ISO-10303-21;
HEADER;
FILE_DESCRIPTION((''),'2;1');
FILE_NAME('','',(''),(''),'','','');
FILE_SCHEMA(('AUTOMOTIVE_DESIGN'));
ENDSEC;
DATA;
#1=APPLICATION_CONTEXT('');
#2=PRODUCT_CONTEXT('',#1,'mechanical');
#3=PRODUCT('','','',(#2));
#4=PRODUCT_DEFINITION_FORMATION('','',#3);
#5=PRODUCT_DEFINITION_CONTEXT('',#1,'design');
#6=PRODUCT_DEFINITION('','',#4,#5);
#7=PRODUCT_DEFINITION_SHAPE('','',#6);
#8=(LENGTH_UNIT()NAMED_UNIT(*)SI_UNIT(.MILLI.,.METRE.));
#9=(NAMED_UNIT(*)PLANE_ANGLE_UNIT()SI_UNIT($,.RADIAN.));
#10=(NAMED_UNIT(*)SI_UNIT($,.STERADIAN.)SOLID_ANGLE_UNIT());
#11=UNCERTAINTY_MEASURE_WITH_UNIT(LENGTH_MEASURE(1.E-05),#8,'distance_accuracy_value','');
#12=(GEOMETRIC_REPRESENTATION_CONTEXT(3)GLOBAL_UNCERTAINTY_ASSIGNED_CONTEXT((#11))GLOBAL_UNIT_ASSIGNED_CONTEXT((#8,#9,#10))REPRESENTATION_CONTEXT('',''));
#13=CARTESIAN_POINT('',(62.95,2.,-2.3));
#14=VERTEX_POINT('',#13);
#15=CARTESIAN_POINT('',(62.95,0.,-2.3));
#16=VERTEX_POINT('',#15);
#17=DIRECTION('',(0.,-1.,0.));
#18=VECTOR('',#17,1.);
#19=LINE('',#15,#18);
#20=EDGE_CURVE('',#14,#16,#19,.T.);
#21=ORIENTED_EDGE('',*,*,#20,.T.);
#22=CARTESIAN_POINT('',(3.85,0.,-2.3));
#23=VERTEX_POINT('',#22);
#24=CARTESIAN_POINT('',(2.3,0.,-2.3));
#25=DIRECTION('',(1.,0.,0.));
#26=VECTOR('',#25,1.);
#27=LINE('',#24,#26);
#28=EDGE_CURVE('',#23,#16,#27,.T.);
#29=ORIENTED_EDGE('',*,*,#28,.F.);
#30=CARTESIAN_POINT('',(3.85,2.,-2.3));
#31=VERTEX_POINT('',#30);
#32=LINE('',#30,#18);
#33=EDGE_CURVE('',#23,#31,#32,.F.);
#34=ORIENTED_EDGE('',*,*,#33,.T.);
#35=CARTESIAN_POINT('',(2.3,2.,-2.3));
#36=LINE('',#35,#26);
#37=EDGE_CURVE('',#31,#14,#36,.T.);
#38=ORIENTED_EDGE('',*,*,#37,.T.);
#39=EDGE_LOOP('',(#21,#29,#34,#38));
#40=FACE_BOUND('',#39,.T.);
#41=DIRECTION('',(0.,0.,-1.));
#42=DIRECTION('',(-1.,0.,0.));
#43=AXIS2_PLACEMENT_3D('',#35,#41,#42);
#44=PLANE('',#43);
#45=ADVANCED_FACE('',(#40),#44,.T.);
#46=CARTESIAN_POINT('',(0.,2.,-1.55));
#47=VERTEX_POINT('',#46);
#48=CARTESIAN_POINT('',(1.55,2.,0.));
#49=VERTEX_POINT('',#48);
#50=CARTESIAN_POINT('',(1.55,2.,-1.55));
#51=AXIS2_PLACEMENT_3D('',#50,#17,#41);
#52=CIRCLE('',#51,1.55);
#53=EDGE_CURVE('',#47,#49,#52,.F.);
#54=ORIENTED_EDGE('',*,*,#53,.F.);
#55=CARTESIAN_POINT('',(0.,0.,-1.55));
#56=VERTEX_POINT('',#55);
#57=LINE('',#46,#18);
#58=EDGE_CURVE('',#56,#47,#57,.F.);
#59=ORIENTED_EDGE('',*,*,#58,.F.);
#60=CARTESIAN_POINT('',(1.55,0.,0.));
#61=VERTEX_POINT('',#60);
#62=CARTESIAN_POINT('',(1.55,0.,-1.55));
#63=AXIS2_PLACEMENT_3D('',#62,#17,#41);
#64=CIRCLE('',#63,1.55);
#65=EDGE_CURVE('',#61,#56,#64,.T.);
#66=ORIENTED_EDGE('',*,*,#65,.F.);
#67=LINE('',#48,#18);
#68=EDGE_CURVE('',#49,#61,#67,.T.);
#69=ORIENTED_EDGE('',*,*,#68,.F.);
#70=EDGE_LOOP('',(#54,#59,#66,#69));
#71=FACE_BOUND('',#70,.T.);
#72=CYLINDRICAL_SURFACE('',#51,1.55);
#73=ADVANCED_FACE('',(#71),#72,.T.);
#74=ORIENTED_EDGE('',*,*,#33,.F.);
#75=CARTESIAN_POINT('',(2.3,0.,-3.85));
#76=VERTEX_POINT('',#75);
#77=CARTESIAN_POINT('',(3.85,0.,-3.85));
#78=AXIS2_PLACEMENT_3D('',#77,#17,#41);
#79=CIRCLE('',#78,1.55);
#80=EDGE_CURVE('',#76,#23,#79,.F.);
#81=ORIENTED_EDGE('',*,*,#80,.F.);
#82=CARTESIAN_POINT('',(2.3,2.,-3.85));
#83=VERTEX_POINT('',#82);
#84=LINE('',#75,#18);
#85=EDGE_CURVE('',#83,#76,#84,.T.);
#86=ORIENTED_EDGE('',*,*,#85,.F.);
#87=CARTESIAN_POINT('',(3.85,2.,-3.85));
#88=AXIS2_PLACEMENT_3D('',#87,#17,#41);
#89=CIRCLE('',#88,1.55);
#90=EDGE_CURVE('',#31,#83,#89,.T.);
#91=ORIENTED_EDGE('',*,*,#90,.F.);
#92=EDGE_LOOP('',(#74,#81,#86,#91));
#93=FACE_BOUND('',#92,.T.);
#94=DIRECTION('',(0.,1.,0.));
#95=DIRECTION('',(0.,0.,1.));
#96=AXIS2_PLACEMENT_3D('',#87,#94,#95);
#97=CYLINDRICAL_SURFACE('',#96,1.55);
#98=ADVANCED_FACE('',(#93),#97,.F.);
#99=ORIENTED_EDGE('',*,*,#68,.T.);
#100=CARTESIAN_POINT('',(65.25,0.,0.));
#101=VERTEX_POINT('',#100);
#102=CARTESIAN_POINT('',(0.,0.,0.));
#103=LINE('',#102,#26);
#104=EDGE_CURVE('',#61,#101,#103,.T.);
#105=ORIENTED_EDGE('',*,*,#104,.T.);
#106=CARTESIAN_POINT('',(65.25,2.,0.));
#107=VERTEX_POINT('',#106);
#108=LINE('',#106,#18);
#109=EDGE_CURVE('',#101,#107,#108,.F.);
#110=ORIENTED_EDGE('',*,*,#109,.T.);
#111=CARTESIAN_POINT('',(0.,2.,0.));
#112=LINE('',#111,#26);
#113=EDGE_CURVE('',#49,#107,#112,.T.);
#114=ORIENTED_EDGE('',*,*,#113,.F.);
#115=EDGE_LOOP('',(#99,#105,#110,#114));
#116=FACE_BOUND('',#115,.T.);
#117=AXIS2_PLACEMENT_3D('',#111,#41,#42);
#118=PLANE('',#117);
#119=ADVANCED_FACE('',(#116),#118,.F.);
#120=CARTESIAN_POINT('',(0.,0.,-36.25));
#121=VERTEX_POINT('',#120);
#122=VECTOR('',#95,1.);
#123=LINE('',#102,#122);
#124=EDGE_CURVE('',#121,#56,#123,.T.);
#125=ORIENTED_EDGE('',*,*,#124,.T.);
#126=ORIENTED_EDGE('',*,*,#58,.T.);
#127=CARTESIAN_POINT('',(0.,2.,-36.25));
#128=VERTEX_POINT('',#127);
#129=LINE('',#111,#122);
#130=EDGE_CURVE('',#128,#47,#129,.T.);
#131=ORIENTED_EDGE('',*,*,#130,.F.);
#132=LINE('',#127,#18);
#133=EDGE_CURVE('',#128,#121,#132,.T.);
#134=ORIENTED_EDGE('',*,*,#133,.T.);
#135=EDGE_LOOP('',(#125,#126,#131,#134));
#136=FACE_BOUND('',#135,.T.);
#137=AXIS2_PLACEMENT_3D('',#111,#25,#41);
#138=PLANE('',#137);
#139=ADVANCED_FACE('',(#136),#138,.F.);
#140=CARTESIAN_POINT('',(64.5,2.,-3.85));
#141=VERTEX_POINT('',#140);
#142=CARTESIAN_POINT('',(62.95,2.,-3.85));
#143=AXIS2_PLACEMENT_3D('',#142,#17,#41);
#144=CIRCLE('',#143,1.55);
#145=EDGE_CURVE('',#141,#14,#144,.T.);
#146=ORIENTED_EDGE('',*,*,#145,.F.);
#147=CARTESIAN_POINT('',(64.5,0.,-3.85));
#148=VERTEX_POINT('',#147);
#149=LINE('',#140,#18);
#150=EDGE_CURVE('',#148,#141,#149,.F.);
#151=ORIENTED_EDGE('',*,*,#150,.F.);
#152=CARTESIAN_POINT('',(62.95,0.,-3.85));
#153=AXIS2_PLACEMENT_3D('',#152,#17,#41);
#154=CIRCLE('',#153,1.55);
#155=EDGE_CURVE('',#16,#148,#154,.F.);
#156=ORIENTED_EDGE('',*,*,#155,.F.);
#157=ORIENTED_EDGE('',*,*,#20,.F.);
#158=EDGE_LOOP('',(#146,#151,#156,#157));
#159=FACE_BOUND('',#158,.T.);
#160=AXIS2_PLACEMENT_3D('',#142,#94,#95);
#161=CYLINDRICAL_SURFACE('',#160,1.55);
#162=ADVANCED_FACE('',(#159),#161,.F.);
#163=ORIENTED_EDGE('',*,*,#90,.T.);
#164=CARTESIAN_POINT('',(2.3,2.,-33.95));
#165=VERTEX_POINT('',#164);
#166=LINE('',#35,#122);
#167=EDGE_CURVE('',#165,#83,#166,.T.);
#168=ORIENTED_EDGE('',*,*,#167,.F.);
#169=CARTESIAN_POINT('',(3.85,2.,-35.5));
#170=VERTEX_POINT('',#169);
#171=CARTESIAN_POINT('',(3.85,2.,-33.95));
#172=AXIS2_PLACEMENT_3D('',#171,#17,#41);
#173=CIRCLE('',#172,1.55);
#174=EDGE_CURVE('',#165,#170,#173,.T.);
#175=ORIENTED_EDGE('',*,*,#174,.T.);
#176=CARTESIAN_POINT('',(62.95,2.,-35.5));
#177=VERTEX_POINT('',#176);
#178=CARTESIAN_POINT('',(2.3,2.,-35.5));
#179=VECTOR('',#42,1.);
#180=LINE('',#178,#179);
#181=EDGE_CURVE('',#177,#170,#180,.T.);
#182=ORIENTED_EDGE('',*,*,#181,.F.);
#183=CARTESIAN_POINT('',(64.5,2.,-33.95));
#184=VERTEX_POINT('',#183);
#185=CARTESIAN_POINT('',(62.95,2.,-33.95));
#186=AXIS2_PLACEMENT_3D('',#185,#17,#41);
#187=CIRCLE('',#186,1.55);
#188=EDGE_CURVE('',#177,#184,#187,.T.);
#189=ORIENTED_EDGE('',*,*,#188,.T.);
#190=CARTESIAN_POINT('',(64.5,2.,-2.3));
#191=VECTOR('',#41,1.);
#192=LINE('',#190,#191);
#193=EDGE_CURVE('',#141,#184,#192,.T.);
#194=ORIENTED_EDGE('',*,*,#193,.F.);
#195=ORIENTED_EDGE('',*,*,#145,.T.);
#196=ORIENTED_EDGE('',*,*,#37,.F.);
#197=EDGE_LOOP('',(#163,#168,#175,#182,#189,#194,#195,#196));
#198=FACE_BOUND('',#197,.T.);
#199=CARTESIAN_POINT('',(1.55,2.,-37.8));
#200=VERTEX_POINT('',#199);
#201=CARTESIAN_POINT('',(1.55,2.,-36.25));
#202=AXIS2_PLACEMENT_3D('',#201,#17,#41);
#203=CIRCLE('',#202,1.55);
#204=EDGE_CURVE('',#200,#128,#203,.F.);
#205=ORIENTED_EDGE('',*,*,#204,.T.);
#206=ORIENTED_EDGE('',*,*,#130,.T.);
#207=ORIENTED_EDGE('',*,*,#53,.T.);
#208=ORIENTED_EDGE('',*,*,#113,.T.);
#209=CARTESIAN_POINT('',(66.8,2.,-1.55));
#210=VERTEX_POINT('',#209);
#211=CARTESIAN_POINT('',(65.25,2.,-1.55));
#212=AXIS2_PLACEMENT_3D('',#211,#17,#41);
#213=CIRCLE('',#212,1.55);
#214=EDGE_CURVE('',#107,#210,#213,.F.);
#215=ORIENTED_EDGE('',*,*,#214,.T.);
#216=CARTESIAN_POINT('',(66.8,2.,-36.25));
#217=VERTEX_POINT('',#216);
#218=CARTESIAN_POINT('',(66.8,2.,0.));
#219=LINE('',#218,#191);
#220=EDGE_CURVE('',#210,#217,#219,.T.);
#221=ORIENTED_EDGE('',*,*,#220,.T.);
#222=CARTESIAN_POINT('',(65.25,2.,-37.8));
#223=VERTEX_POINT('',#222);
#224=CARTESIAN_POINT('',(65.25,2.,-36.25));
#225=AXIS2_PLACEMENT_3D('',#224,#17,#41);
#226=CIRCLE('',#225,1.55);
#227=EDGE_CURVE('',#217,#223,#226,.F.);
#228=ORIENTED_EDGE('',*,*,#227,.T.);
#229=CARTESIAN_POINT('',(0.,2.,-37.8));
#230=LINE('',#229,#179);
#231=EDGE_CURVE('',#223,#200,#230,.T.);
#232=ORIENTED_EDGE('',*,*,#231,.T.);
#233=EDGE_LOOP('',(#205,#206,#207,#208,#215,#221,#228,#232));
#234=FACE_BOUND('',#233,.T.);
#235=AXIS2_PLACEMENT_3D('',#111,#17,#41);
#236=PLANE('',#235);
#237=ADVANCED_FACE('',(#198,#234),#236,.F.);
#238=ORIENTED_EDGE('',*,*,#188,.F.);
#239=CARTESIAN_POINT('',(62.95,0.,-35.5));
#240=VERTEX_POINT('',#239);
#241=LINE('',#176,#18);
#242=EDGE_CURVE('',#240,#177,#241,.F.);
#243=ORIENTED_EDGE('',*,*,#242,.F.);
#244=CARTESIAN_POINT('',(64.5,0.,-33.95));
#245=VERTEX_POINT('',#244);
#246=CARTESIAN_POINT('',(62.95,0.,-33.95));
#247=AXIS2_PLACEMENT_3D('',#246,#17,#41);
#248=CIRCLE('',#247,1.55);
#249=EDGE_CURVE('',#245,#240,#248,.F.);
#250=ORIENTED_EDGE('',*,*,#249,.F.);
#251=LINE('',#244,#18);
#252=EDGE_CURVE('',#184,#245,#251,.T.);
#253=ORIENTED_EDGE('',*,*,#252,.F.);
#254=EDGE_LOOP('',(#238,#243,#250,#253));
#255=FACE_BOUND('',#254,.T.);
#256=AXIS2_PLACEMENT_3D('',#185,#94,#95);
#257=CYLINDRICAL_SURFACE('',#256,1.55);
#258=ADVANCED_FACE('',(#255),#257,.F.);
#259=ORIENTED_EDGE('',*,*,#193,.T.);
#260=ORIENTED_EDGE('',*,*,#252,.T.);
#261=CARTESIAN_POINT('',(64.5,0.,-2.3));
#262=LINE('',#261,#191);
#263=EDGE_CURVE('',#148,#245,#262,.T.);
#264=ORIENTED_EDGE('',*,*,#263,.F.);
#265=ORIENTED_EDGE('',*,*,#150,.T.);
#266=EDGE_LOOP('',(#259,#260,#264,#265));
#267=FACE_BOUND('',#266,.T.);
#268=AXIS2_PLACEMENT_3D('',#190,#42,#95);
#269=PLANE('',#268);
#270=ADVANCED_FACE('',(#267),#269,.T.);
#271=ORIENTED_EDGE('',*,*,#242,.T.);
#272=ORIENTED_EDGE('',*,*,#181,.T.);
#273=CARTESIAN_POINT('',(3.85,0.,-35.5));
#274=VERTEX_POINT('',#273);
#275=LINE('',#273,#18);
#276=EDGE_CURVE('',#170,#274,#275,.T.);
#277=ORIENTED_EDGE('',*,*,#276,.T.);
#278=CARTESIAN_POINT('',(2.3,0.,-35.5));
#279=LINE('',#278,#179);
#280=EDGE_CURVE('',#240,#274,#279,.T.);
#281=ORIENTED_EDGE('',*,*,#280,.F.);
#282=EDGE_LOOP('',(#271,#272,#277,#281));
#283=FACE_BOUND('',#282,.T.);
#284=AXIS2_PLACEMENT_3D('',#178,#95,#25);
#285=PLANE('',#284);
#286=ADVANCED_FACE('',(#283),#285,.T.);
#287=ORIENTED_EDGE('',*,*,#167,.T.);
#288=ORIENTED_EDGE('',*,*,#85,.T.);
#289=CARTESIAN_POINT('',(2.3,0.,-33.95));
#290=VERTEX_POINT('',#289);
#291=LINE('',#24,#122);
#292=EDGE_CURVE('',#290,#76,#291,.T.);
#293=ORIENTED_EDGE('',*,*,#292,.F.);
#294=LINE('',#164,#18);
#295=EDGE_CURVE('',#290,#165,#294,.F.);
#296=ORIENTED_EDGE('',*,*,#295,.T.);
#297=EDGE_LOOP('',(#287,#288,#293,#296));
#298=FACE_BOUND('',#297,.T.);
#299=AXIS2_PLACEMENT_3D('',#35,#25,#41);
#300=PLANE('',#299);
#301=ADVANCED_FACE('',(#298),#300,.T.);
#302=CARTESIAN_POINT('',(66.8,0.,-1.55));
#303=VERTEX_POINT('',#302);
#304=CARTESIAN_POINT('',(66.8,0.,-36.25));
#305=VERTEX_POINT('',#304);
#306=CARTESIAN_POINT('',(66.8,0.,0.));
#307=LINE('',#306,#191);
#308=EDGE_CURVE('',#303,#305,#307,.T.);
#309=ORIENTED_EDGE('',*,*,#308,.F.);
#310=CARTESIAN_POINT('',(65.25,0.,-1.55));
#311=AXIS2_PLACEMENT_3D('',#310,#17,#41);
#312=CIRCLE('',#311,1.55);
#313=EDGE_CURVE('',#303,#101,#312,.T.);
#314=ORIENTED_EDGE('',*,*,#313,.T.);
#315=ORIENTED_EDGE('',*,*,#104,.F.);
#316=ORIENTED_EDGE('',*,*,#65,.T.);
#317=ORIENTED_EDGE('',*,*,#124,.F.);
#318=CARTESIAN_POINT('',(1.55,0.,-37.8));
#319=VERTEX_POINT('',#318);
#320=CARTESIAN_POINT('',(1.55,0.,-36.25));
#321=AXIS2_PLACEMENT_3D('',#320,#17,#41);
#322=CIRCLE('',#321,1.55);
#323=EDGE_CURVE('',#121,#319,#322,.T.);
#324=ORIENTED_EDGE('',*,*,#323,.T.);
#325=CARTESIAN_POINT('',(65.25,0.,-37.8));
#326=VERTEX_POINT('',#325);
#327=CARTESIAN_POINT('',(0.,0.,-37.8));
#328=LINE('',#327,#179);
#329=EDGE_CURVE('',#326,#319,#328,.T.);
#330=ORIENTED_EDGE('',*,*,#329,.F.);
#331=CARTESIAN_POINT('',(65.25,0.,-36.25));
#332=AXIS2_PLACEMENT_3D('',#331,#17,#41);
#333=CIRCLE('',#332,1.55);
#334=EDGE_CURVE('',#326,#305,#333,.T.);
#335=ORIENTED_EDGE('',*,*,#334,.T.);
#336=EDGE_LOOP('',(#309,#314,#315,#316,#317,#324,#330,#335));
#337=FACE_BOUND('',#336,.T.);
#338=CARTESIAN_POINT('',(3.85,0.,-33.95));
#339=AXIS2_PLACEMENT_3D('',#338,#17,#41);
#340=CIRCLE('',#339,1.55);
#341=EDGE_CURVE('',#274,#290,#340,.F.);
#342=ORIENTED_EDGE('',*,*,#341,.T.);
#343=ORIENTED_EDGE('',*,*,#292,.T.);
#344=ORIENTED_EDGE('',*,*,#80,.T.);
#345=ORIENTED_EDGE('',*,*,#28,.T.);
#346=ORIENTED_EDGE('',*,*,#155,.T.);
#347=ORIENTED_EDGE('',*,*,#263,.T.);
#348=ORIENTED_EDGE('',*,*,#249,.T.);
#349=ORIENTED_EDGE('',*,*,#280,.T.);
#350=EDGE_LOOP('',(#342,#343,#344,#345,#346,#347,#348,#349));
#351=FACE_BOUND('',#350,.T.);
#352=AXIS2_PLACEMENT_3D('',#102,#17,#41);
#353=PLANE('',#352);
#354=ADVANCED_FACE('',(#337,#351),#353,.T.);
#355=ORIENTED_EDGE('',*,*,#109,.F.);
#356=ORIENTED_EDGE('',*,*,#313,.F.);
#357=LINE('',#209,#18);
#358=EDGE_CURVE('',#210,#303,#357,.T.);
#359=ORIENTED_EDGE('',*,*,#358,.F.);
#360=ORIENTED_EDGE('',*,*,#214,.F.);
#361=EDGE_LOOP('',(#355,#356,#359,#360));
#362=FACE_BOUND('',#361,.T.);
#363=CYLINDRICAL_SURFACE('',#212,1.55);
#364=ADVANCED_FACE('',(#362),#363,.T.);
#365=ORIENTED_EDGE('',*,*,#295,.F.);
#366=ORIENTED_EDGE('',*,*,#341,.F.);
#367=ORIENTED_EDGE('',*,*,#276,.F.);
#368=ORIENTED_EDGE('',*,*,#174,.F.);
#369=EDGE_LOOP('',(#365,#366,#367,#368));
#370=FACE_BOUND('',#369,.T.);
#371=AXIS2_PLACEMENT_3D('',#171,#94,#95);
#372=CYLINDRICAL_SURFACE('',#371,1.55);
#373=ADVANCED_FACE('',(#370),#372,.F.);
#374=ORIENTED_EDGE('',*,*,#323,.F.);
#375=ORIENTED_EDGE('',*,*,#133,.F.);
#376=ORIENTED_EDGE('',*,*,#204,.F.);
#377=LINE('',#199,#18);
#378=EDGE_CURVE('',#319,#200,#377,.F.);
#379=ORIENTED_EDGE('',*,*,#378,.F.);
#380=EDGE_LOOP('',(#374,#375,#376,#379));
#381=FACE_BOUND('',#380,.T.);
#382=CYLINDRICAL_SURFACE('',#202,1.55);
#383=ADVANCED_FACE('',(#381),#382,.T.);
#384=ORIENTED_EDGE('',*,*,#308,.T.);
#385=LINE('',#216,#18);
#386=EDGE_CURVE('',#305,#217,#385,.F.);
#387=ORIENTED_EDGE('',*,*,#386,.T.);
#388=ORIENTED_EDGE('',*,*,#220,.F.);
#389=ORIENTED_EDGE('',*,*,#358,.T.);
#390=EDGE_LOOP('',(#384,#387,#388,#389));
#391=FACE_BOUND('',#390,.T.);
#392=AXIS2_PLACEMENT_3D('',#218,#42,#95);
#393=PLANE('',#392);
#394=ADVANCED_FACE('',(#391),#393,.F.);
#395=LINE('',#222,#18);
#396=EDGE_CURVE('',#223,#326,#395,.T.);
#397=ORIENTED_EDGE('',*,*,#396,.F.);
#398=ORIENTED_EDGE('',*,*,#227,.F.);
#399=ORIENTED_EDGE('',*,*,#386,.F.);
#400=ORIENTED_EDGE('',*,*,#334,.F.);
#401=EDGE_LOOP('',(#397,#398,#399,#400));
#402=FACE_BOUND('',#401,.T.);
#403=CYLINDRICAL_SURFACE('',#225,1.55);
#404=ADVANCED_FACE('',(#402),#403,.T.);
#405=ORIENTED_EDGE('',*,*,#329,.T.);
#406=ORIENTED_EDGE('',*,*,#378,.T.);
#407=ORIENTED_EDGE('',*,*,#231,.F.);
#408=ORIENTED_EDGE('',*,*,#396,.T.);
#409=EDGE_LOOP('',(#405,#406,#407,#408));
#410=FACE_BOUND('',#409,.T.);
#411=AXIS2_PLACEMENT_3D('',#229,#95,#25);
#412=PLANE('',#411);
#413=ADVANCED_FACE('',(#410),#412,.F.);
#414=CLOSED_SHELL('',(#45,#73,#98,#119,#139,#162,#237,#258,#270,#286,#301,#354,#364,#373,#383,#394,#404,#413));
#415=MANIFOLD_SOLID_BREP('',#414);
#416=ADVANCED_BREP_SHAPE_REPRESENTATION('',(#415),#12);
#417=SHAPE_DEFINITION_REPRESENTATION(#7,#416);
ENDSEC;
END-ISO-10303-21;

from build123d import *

# Parameters (mm, degrees)
SKETCH1_W           = 66.8
SKETCH1_H           = 37.8
SKETCH1_W_2         = 62.2
SKETCH1_H_2         = 33.2
BOSS_EXTRUDE1_DEPTH = 2
FILLET1_R           = 1.55


with BuildPart() as part:
    # Sketch1 → Boss-Extrude1 (new body)
    with BuildSketch(Plane(origin=(0, 0, 0), x_dir=(1, 0, 0), z_dir=(0, 1, 0))):
        with Locations((33.4, 18.9)):
            Rectangle(SKETCH1_W, SKETCH1_H)
        with Locations((33.4, 18.9)):
            Rectangle(SKETCH1_W_2, SKETCH1_H_2, mode=Mode.SUBTRACT)
    extrude(amount=BOSS_EXTRUDE1_DEPTH)

    # Fillet1
    fillet1_edges = [part.edges().sort_by_distance(p)[0] for p in [
        (2.3, 1, -35.5),
        (2.3, 1, -2.3),
        (64.5, 1, -2.3),
        (64.5, 1, -35.5),
        (0, 1, -37.8),
        (66.8, 1, -37.8),
        (66.8, 1, 0),
        (0, 1, 0),
    ]]
    fillet(fillet1_edges, radius=FILLET1_R)


solid = part.part
